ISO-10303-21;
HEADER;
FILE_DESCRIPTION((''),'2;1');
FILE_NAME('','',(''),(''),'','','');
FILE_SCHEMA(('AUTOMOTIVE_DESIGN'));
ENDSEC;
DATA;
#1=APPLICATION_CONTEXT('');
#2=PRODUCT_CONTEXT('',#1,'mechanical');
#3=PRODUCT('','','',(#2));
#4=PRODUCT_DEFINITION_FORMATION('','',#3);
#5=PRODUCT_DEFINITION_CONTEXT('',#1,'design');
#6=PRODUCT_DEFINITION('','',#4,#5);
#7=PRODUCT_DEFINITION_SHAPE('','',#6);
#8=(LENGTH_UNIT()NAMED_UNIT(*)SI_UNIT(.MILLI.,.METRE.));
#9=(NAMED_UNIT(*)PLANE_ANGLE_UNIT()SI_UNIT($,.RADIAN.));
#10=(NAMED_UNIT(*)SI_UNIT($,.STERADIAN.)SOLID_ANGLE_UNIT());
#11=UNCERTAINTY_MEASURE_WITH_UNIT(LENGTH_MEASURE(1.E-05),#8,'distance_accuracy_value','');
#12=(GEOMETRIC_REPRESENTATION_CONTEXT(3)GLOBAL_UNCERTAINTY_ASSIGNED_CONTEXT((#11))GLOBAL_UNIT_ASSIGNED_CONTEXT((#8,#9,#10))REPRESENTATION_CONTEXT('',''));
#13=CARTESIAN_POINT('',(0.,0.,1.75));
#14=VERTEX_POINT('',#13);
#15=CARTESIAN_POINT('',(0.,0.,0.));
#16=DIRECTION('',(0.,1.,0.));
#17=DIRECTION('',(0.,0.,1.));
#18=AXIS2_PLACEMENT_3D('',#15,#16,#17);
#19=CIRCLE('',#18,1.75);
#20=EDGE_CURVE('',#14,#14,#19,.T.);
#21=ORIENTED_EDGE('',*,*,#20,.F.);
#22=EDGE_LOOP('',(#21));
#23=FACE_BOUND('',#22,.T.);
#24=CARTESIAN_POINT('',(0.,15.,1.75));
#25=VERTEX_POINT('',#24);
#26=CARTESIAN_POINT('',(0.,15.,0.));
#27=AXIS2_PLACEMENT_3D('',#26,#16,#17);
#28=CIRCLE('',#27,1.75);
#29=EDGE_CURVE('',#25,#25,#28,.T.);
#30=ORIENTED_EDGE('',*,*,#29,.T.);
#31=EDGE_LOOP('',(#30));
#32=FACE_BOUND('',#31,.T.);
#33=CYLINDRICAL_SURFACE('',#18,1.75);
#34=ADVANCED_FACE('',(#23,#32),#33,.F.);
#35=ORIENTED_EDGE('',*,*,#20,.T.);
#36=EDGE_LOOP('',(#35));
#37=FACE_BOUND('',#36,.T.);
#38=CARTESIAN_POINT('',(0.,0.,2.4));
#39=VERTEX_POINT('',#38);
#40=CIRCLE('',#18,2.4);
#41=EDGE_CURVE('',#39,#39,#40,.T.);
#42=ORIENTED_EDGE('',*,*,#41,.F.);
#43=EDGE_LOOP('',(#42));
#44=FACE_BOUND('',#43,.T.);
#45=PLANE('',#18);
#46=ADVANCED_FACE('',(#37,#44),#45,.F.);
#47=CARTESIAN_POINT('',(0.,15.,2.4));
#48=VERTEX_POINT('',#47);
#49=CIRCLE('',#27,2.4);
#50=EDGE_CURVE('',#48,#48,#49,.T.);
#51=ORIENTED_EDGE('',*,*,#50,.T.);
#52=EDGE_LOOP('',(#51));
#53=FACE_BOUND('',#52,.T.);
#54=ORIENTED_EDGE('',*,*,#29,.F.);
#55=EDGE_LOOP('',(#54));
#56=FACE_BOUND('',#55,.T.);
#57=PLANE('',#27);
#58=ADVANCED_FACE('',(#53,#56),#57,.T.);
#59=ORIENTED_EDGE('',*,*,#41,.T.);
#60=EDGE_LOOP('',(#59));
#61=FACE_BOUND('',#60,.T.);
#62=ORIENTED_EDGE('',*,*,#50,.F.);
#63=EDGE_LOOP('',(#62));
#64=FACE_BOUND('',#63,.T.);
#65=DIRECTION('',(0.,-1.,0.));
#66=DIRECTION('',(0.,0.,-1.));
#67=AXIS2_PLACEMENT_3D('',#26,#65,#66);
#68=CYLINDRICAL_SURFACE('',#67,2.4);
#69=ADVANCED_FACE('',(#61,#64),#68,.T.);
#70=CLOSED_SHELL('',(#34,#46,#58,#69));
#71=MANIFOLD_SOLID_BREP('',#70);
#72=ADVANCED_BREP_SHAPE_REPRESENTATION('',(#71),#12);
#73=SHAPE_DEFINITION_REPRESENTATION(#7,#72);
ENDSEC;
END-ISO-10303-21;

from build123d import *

# Parameters (mm, degrees)
SKETCH2_R           = 2.4
BOSS_EXTRUDE1_DEPTH = 15
SKETCH3_R           = 1.75
CUT_EXTRUDE1_DEPTH  = 15


with BuildPart() as part:
    # Sketch2 → Boss-Extrude1 (new body)
    with BuildSketch(Plane(origin=(0, 0, 0), x_dir=(1, 0, 0), z_dir=(0, 1, 0))):
        Circle(SKETCH2_R)
    extrude(amount=BOSS_EXTRUDE1_DEPTH)

    # Sketch3 → Cut-Extrude1 (cut)
    with BuildSketch(Plane(origin=(0, 15, 0), x_dir=(1, 0, 0), z_dir=(0, 1, 0))):
        Circle(SKETCH3_R)
    extrude(amount=-CUT_EXTRUDE1_DEPTH, mode=Mode.SUBTRACT)


solid = part.part
